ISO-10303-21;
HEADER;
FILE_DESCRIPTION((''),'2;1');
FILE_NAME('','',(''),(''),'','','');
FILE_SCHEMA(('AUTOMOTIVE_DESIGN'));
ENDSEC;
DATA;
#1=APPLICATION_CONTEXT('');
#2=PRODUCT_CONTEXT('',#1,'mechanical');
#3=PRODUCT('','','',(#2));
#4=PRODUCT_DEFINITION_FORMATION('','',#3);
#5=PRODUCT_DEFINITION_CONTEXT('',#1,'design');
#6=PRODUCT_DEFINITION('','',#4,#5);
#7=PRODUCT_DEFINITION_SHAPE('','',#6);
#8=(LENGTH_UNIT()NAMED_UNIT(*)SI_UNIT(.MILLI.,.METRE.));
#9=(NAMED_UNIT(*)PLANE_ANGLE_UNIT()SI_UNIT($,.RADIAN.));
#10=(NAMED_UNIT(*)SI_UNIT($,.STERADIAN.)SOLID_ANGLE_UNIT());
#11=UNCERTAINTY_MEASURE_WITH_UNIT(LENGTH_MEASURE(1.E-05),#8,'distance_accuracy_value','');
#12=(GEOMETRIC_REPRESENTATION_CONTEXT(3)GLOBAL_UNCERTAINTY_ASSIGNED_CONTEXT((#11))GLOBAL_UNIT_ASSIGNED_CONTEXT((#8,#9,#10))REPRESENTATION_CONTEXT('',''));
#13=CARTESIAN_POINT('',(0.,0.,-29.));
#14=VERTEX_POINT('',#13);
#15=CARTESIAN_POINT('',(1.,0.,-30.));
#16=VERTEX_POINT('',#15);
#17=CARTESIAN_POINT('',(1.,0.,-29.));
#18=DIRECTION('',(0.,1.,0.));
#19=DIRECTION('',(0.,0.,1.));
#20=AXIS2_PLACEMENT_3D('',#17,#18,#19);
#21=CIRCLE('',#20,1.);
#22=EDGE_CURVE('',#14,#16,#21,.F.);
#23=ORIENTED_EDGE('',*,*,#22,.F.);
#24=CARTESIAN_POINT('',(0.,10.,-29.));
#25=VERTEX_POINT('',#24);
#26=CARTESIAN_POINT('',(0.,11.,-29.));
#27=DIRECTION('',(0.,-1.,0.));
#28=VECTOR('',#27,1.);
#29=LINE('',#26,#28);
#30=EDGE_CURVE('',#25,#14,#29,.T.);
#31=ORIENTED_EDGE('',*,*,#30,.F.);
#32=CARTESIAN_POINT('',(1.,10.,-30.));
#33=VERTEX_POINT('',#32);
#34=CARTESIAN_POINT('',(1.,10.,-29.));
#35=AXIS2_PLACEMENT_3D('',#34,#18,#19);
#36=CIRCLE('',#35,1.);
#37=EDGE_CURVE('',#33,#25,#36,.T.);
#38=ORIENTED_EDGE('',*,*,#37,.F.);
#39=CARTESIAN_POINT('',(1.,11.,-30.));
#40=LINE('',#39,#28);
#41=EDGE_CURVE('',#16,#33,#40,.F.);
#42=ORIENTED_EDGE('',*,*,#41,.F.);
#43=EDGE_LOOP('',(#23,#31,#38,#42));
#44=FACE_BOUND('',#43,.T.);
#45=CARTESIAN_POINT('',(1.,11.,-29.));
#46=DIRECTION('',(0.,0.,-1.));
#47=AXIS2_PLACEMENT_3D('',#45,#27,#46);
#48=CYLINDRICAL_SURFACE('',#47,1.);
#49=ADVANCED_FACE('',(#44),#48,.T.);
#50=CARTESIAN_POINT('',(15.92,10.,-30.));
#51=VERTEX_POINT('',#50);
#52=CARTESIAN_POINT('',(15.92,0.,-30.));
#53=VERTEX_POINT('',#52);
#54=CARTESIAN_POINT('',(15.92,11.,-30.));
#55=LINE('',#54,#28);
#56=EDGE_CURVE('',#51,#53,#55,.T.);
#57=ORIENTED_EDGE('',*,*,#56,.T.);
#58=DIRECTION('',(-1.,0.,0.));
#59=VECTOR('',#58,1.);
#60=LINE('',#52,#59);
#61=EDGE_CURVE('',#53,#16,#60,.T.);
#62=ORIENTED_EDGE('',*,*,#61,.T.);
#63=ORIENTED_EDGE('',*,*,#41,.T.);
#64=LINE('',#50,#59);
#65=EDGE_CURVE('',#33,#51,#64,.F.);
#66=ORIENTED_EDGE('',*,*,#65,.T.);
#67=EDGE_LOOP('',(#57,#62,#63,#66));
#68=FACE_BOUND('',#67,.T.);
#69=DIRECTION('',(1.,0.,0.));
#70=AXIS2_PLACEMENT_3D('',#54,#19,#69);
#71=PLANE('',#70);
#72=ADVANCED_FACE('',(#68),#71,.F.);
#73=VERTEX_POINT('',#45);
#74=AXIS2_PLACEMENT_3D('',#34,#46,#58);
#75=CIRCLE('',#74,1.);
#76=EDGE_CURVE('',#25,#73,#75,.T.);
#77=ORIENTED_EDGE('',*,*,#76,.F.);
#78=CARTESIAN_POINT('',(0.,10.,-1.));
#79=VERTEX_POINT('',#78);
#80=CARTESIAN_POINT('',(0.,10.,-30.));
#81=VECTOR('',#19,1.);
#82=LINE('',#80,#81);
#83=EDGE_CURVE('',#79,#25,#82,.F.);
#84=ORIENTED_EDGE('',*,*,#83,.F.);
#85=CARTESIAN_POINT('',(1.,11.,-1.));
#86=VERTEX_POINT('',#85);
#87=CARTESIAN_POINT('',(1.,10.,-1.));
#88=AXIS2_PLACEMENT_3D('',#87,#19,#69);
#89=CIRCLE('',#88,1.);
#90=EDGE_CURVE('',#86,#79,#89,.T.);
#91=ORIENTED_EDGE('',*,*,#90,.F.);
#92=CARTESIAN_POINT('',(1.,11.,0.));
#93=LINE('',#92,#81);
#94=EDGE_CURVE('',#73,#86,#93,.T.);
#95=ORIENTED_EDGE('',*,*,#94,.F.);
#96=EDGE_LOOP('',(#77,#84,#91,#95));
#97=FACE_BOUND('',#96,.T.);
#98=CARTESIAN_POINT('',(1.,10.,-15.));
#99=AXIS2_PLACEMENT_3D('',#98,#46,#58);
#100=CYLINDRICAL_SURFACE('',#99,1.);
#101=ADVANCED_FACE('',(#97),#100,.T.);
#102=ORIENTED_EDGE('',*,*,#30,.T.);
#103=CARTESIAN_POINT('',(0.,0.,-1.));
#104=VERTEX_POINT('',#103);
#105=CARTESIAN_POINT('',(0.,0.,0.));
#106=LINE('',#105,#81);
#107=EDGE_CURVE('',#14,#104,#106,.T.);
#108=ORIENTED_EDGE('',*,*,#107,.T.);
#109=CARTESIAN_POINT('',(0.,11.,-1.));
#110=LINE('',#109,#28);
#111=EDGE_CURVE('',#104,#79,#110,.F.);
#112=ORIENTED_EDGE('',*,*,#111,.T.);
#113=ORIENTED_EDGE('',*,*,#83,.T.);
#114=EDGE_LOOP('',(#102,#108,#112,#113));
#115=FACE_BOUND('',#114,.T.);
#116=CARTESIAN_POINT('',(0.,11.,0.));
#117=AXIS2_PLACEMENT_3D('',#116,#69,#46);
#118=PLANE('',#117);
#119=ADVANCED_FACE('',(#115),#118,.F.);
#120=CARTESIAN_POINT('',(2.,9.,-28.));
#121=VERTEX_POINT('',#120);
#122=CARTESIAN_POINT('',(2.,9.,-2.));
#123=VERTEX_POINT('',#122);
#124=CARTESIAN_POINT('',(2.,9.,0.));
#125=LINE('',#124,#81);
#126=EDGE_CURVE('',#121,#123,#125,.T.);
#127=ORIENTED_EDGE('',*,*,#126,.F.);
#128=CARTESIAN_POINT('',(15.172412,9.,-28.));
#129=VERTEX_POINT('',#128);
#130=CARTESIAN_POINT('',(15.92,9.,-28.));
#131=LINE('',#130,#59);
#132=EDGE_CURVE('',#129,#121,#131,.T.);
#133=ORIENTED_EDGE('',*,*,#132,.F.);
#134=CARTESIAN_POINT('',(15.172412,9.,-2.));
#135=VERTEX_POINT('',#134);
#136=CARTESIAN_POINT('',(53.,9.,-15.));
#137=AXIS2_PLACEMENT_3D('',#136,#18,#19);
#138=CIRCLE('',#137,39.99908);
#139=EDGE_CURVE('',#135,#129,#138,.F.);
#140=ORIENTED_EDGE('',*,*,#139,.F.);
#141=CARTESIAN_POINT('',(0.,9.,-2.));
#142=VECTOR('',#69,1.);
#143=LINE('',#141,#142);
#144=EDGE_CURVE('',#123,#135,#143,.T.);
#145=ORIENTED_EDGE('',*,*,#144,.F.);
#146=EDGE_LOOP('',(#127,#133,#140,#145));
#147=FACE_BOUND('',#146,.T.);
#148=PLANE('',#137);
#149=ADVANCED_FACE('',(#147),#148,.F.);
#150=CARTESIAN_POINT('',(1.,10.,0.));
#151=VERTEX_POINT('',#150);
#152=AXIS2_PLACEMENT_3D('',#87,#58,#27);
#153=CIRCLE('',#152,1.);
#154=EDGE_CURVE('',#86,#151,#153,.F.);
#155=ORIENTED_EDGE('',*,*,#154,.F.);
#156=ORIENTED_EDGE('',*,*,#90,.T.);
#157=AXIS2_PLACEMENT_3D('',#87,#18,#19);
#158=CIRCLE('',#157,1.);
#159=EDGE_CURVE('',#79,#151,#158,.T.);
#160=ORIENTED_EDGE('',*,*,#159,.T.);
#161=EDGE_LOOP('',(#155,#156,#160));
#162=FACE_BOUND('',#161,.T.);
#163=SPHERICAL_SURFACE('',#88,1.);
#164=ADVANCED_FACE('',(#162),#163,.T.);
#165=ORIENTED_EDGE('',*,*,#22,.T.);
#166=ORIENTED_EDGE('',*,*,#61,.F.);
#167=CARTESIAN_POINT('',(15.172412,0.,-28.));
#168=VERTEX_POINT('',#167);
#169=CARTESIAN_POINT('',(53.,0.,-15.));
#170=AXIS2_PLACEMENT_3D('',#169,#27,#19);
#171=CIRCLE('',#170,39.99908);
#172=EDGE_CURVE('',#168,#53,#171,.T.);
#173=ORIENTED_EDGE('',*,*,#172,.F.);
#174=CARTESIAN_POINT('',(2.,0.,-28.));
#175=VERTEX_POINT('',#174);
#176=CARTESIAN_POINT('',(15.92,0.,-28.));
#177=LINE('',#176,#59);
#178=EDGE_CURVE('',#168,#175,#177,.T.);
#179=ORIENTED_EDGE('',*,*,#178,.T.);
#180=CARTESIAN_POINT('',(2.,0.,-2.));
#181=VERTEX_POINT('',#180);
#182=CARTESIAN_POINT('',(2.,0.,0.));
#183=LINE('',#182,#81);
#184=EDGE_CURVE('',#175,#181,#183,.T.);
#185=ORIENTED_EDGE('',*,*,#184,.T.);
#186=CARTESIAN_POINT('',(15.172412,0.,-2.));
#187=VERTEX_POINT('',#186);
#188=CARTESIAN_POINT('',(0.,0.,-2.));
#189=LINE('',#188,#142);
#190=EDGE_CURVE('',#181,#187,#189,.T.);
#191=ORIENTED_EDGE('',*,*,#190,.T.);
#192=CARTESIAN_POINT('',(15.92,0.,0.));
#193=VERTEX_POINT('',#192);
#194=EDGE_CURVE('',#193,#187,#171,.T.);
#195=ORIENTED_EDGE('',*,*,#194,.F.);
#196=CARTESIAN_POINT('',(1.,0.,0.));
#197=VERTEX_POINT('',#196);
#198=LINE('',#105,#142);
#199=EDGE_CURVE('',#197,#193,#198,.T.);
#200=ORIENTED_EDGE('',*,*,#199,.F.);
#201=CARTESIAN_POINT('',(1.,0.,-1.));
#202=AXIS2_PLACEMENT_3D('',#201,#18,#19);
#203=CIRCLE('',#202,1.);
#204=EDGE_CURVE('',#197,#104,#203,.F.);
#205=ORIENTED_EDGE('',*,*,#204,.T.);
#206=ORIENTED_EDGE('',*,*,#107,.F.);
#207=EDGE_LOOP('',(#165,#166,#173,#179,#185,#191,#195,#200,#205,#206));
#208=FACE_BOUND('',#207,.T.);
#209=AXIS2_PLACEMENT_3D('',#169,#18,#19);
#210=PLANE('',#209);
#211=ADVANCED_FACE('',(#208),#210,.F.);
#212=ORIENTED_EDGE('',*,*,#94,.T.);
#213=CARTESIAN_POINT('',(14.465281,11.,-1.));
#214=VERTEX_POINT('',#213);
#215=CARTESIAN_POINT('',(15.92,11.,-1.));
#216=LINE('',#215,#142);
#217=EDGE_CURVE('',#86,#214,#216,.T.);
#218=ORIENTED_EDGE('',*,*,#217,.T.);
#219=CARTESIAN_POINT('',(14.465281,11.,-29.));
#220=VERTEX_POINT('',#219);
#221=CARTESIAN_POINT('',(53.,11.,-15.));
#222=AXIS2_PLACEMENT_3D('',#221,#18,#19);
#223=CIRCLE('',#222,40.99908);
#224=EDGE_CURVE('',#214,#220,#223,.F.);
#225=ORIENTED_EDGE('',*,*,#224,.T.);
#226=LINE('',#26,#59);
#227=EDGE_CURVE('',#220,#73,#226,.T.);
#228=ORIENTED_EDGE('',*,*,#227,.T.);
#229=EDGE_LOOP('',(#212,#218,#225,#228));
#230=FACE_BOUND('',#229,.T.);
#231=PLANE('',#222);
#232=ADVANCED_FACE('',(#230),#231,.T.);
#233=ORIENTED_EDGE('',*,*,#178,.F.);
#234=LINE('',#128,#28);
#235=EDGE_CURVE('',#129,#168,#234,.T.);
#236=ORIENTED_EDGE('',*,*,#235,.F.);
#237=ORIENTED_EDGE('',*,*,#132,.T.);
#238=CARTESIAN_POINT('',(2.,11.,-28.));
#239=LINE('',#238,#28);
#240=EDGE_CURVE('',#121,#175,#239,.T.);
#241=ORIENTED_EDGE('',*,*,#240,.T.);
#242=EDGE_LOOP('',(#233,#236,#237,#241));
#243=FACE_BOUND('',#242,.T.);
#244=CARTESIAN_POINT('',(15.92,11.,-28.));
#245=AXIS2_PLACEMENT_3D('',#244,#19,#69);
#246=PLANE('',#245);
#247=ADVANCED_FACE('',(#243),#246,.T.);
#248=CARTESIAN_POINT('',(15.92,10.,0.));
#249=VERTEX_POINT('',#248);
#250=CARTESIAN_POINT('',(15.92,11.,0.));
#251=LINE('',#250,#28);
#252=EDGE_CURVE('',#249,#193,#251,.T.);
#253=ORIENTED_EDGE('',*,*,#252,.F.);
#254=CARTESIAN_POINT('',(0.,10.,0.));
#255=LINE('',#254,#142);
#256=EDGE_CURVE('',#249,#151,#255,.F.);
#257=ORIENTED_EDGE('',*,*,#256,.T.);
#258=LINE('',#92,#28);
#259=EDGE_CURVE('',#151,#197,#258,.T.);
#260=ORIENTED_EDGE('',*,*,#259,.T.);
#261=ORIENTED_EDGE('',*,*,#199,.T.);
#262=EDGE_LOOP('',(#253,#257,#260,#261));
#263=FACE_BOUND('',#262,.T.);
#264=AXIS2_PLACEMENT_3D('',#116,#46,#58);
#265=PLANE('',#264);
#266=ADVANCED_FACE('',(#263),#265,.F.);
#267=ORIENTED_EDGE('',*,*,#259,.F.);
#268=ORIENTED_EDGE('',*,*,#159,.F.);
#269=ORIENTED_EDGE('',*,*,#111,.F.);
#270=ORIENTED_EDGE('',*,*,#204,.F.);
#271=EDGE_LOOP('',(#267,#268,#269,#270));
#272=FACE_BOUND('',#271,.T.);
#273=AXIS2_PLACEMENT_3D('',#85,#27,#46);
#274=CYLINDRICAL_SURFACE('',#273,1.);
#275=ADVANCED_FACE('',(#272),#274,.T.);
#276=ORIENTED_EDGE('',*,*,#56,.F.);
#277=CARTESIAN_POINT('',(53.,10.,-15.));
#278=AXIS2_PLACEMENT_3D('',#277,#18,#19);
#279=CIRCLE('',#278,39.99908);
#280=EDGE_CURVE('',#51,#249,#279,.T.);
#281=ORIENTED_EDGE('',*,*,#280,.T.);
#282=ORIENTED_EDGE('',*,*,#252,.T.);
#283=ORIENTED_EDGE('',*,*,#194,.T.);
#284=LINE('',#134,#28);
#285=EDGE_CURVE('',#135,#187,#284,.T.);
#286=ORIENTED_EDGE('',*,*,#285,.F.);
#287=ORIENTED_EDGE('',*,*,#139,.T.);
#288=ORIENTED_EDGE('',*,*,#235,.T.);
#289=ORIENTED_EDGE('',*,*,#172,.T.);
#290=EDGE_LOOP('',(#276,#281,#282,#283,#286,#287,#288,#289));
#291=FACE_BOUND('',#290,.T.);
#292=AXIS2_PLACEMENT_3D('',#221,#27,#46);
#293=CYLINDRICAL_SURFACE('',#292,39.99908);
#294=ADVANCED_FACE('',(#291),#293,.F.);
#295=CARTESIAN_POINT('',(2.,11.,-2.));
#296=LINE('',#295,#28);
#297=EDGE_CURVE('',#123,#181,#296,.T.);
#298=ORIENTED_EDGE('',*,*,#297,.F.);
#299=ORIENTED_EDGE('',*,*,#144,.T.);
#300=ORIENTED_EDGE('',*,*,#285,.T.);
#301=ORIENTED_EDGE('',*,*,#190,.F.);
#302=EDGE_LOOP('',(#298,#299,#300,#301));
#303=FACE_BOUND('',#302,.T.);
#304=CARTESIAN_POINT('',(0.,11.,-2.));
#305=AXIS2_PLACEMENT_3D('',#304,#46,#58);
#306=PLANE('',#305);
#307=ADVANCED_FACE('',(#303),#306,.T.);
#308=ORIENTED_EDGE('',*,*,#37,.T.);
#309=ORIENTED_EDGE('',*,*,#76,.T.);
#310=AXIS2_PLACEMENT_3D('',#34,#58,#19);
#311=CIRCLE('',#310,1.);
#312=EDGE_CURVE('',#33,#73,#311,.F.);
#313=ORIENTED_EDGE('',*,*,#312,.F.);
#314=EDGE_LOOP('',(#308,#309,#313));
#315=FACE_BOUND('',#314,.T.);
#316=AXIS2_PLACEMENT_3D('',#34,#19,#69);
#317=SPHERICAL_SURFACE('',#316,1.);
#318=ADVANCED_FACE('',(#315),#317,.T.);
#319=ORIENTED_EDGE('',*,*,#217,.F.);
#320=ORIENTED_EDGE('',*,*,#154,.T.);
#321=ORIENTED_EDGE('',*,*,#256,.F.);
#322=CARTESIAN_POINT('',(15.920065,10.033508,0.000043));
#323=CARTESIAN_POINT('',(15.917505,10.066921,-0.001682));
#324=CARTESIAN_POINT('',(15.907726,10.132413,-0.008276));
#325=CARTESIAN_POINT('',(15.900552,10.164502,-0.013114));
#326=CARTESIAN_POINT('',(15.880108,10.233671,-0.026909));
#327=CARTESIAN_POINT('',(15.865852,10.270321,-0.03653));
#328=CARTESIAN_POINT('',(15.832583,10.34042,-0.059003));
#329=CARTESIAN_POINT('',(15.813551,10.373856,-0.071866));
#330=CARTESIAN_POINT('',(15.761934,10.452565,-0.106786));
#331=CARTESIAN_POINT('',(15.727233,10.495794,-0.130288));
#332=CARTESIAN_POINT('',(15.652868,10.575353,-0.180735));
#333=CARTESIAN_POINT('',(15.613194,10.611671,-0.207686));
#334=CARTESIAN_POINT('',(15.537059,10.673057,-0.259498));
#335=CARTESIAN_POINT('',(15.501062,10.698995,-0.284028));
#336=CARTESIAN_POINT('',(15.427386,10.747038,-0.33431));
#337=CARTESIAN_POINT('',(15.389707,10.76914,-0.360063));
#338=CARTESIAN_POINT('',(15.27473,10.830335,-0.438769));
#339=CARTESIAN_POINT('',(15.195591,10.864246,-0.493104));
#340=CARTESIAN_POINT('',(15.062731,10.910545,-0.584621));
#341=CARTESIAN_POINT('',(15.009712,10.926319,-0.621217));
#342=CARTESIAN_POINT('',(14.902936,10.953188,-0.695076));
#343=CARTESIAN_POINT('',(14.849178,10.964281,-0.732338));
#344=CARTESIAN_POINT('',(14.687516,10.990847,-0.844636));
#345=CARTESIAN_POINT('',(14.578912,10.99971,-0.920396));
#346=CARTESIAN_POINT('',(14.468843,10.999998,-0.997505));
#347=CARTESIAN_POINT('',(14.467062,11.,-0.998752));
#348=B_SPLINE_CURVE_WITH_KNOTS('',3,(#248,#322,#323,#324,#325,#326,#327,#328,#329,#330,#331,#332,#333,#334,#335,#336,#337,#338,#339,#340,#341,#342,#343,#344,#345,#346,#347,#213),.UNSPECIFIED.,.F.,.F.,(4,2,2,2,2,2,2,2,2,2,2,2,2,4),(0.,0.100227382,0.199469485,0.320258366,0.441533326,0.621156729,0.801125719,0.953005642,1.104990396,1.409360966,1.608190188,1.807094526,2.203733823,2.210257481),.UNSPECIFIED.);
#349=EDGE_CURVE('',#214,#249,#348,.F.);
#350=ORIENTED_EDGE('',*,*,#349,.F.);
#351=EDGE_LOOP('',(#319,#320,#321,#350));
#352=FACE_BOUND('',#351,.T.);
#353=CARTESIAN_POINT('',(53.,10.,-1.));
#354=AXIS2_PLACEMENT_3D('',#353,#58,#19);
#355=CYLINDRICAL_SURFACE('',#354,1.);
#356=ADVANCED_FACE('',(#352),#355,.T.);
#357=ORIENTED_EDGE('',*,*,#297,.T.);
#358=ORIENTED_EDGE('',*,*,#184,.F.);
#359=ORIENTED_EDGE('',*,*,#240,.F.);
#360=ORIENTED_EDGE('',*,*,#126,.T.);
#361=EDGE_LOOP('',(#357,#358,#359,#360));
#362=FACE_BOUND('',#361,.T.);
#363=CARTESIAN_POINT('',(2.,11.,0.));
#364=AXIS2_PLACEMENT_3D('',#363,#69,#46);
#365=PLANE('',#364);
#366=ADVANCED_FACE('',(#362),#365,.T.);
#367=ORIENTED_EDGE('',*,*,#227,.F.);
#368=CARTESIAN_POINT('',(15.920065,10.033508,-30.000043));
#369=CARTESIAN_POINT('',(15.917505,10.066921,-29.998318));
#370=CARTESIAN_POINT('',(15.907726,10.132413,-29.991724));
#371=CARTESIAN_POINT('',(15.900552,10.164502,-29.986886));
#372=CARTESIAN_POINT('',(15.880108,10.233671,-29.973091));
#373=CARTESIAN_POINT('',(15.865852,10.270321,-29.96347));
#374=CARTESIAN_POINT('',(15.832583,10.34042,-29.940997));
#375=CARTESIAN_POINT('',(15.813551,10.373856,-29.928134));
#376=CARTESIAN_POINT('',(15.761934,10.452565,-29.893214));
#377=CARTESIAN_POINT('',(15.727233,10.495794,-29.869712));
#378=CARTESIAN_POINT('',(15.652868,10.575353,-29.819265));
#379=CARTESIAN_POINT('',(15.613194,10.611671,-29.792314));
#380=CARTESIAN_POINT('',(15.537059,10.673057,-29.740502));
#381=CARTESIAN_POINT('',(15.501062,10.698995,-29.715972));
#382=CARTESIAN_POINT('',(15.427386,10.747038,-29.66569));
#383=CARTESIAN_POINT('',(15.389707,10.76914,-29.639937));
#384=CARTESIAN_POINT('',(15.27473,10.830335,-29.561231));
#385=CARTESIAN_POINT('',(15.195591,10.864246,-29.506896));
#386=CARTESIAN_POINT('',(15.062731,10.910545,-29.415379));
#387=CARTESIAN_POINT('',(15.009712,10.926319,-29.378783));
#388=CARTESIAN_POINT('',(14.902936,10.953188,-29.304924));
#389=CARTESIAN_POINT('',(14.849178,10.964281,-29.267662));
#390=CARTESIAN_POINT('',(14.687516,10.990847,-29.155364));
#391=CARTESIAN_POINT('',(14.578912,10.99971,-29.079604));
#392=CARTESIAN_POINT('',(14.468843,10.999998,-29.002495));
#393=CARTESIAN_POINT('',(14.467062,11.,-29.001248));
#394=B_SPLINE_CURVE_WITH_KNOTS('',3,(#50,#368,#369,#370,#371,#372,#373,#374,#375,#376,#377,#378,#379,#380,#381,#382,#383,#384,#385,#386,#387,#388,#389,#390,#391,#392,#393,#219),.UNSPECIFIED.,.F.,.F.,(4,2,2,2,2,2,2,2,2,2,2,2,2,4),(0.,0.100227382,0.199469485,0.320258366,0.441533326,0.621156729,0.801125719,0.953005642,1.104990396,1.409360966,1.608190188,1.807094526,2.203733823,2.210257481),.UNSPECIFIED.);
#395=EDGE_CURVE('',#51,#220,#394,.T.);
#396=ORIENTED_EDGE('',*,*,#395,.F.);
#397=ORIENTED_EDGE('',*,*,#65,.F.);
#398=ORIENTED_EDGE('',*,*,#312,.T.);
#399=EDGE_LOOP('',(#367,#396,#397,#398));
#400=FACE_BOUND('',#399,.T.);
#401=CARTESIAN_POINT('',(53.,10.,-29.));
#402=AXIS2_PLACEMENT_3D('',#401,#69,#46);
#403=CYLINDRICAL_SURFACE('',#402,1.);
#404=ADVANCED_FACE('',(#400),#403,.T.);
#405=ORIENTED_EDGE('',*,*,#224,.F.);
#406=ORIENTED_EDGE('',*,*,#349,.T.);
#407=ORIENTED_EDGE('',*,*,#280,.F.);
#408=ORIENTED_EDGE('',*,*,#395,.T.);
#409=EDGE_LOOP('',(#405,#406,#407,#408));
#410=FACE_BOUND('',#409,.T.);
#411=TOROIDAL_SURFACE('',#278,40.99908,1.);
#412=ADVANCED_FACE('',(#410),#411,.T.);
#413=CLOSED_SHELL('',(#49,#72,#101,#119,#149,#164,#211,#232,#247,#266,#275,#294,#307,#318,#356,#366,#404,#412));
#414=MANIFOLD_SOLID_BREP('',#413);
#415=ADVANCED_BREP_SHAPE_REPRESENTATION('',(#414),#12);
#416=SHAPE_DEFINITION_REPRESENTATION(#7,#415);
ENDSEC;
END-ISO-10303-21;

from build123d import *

# Parameters (mm, degrees)
BOSS_EXTRUDE1_DEPTH = 11
SHELL1_T            = -2
FILLET1_R           = 1


with BuildPart() as part:
    # Sketch1 → Boss-Extrude1 (new body)
    with BuildSketch(Plane(origin=(0, 0, 0), x_dir=(1, 0, 0), z_dir=(0, 1, 0))):
        with BuildLine():
            Line((0, 0), (0, 30))
            Line((0, 30), (15.92, 30))
            ThreePointArc((15.92, 30), (13.000920011, 15), (15.92, 0))
            Line((15.92, 0), (0, 0))
        make_face()
    extrude(amount=BOSS_EXTRUDE1_DEPTH)

    # Shell1
    shell1_openings = [part.faces().sort_by_distance(p)[0] for p in [
        (7.00647131, 0, -15),
        (13.000920011, 5.5, -15),
    ]]
    offset(amount=SHELL1_T, openings=shell1_openings, kind=Kind.INTERSECTION)

    # Fillet1
    fillet1_edges = [part.edges().sort_by_distance(p)[0] for p in [
        (7.96, 11, -30),
        (0, 11, -15),
        (7.96, 11, 0),
        (0, 5.5, 0),
        (0, 5.5, -30),
        (13.000920011, 11, -15),
    ]]
    fillet(fillet1_edges, radius=FILLET1_R)


solid = part.part
